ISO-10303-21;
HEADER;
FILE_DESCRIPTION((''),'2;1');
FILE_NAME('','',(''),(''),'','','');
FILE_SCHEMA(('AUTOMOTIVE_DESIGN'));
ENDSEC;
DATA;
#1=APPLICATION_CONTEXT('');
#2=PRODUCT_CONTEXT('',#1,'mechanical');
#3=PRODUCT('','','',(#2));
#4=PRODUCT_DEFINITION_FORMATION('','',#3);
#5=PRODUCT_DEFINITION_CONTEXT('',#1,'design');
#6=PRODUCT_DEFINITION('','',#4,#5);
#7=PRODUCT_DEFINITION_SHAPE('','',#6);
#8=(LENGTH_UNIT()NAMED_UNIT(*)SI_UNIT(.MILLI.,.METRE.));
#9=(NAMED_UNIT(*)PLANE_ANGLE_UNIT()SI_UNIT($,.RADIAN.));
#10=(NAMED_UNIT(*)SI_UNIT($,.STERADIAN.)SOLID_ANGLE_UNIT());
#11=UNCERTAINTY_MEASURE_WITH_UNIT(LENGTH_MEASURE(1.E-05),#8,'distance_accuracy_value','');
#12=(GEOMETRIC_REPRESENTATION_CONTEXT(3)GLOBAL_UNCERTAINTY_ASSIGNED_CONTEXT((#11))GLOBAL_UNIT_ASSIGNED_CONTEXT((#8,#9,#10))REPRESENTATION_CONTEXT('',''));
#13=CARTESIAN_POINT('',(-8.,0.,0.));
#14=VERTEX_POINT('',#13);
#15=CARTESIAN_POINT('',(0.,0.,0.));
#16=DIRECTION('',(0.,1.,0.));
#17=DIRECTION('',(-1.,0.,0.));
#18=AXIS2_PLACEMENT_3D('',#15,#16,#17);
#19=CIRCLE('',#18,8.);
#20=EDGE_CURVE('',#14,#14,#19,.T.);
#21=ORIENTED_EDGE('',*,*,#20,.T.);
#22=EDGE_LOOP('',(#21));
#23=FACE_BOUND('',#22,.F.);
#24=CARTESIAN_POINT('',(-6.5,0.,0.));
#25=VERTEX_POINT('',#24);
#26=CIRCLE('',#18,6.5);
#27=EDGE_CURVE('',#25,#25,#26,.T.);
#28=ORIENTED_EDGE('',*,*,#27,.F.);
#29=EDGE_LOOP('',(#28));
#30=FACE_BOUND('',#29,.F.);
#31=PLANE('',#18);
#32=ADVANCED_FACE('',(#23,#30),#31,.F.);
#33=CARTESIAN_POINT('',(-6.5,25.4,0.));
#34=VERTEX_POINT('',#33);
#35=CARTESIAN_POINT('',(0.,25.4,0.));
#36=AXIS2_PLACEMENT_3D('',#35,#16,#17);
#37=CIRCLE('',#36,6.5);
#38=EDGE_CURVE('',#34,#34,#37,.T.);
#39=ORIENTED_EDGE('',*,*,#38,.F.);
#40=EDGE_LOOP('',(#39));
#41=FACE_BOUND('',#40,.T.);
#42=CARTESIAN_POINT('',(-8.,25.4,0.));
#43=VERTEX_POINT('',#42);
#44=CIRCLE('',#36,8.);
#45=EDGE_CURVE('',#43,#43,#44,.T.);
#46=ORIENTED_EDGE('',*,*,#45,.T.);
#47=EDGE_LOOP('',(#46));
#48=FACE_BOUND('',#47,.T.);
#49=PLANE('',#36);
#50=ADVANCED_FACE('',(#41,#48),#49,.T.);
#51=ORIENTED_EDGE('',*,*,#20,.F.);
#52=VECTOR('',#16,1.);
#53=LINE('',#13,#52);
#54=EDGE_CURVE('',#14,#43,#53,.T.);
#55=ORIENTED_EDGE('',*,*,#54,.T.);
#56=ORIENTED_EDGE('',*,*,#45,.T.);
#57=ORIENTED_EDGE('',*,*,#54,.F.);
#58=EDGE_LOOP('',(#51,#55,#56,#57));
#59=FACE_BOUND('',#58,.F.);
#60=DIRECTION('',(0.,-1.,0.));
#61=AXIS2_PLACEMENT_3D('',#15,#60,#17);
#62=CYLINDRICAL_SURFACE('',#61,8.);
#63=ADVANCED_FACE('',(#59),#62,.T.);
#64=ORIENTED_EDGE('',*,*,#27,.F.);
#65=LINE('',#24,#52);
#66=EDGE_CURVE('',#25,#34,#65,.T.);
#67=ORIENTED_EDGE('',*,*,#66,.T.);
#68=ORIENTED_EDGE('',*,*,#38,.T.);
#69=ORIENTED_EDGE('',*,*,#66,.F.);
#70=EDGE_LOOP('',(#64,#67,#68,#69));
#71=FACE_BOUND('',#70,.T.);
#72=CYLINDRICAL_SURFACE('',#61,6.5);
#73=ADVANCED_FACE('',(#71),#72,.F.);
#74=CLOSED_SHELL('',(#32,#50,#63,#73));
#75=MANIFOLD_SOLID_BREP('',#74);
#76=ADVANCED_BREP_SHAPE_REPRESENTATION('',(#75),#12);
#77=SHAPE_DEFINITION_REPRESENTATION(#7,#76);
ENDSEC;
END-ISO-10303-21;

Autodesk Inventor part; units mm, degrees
ref_plane "YZ Plane" through (0, 0, 0) normal (1, 0, 0) x (0, 1, 0)
ref_plane "XZ Plane" through (0, 0, 0) normal (0, 1, 0) x (-1, 0, 0)
ref_plane "XY Plane" through (0, 0, 0) normal (0, 0, 1) x (1, 0, 0)
sketch "Sketch1" plane through (0, 0, 0) normal (0, 1, 0) x (-1, 0, 0)
  circle A0 centre (0, 0) radius 8
  circle A1 centre (0, 0) radius 6.5
  dimension "d0" = 16
  dimension "d1" = 13
extrude "Extrusion1" add sketch "Sketch1" along normal blind 25.4
properties part number "terminal_front"
